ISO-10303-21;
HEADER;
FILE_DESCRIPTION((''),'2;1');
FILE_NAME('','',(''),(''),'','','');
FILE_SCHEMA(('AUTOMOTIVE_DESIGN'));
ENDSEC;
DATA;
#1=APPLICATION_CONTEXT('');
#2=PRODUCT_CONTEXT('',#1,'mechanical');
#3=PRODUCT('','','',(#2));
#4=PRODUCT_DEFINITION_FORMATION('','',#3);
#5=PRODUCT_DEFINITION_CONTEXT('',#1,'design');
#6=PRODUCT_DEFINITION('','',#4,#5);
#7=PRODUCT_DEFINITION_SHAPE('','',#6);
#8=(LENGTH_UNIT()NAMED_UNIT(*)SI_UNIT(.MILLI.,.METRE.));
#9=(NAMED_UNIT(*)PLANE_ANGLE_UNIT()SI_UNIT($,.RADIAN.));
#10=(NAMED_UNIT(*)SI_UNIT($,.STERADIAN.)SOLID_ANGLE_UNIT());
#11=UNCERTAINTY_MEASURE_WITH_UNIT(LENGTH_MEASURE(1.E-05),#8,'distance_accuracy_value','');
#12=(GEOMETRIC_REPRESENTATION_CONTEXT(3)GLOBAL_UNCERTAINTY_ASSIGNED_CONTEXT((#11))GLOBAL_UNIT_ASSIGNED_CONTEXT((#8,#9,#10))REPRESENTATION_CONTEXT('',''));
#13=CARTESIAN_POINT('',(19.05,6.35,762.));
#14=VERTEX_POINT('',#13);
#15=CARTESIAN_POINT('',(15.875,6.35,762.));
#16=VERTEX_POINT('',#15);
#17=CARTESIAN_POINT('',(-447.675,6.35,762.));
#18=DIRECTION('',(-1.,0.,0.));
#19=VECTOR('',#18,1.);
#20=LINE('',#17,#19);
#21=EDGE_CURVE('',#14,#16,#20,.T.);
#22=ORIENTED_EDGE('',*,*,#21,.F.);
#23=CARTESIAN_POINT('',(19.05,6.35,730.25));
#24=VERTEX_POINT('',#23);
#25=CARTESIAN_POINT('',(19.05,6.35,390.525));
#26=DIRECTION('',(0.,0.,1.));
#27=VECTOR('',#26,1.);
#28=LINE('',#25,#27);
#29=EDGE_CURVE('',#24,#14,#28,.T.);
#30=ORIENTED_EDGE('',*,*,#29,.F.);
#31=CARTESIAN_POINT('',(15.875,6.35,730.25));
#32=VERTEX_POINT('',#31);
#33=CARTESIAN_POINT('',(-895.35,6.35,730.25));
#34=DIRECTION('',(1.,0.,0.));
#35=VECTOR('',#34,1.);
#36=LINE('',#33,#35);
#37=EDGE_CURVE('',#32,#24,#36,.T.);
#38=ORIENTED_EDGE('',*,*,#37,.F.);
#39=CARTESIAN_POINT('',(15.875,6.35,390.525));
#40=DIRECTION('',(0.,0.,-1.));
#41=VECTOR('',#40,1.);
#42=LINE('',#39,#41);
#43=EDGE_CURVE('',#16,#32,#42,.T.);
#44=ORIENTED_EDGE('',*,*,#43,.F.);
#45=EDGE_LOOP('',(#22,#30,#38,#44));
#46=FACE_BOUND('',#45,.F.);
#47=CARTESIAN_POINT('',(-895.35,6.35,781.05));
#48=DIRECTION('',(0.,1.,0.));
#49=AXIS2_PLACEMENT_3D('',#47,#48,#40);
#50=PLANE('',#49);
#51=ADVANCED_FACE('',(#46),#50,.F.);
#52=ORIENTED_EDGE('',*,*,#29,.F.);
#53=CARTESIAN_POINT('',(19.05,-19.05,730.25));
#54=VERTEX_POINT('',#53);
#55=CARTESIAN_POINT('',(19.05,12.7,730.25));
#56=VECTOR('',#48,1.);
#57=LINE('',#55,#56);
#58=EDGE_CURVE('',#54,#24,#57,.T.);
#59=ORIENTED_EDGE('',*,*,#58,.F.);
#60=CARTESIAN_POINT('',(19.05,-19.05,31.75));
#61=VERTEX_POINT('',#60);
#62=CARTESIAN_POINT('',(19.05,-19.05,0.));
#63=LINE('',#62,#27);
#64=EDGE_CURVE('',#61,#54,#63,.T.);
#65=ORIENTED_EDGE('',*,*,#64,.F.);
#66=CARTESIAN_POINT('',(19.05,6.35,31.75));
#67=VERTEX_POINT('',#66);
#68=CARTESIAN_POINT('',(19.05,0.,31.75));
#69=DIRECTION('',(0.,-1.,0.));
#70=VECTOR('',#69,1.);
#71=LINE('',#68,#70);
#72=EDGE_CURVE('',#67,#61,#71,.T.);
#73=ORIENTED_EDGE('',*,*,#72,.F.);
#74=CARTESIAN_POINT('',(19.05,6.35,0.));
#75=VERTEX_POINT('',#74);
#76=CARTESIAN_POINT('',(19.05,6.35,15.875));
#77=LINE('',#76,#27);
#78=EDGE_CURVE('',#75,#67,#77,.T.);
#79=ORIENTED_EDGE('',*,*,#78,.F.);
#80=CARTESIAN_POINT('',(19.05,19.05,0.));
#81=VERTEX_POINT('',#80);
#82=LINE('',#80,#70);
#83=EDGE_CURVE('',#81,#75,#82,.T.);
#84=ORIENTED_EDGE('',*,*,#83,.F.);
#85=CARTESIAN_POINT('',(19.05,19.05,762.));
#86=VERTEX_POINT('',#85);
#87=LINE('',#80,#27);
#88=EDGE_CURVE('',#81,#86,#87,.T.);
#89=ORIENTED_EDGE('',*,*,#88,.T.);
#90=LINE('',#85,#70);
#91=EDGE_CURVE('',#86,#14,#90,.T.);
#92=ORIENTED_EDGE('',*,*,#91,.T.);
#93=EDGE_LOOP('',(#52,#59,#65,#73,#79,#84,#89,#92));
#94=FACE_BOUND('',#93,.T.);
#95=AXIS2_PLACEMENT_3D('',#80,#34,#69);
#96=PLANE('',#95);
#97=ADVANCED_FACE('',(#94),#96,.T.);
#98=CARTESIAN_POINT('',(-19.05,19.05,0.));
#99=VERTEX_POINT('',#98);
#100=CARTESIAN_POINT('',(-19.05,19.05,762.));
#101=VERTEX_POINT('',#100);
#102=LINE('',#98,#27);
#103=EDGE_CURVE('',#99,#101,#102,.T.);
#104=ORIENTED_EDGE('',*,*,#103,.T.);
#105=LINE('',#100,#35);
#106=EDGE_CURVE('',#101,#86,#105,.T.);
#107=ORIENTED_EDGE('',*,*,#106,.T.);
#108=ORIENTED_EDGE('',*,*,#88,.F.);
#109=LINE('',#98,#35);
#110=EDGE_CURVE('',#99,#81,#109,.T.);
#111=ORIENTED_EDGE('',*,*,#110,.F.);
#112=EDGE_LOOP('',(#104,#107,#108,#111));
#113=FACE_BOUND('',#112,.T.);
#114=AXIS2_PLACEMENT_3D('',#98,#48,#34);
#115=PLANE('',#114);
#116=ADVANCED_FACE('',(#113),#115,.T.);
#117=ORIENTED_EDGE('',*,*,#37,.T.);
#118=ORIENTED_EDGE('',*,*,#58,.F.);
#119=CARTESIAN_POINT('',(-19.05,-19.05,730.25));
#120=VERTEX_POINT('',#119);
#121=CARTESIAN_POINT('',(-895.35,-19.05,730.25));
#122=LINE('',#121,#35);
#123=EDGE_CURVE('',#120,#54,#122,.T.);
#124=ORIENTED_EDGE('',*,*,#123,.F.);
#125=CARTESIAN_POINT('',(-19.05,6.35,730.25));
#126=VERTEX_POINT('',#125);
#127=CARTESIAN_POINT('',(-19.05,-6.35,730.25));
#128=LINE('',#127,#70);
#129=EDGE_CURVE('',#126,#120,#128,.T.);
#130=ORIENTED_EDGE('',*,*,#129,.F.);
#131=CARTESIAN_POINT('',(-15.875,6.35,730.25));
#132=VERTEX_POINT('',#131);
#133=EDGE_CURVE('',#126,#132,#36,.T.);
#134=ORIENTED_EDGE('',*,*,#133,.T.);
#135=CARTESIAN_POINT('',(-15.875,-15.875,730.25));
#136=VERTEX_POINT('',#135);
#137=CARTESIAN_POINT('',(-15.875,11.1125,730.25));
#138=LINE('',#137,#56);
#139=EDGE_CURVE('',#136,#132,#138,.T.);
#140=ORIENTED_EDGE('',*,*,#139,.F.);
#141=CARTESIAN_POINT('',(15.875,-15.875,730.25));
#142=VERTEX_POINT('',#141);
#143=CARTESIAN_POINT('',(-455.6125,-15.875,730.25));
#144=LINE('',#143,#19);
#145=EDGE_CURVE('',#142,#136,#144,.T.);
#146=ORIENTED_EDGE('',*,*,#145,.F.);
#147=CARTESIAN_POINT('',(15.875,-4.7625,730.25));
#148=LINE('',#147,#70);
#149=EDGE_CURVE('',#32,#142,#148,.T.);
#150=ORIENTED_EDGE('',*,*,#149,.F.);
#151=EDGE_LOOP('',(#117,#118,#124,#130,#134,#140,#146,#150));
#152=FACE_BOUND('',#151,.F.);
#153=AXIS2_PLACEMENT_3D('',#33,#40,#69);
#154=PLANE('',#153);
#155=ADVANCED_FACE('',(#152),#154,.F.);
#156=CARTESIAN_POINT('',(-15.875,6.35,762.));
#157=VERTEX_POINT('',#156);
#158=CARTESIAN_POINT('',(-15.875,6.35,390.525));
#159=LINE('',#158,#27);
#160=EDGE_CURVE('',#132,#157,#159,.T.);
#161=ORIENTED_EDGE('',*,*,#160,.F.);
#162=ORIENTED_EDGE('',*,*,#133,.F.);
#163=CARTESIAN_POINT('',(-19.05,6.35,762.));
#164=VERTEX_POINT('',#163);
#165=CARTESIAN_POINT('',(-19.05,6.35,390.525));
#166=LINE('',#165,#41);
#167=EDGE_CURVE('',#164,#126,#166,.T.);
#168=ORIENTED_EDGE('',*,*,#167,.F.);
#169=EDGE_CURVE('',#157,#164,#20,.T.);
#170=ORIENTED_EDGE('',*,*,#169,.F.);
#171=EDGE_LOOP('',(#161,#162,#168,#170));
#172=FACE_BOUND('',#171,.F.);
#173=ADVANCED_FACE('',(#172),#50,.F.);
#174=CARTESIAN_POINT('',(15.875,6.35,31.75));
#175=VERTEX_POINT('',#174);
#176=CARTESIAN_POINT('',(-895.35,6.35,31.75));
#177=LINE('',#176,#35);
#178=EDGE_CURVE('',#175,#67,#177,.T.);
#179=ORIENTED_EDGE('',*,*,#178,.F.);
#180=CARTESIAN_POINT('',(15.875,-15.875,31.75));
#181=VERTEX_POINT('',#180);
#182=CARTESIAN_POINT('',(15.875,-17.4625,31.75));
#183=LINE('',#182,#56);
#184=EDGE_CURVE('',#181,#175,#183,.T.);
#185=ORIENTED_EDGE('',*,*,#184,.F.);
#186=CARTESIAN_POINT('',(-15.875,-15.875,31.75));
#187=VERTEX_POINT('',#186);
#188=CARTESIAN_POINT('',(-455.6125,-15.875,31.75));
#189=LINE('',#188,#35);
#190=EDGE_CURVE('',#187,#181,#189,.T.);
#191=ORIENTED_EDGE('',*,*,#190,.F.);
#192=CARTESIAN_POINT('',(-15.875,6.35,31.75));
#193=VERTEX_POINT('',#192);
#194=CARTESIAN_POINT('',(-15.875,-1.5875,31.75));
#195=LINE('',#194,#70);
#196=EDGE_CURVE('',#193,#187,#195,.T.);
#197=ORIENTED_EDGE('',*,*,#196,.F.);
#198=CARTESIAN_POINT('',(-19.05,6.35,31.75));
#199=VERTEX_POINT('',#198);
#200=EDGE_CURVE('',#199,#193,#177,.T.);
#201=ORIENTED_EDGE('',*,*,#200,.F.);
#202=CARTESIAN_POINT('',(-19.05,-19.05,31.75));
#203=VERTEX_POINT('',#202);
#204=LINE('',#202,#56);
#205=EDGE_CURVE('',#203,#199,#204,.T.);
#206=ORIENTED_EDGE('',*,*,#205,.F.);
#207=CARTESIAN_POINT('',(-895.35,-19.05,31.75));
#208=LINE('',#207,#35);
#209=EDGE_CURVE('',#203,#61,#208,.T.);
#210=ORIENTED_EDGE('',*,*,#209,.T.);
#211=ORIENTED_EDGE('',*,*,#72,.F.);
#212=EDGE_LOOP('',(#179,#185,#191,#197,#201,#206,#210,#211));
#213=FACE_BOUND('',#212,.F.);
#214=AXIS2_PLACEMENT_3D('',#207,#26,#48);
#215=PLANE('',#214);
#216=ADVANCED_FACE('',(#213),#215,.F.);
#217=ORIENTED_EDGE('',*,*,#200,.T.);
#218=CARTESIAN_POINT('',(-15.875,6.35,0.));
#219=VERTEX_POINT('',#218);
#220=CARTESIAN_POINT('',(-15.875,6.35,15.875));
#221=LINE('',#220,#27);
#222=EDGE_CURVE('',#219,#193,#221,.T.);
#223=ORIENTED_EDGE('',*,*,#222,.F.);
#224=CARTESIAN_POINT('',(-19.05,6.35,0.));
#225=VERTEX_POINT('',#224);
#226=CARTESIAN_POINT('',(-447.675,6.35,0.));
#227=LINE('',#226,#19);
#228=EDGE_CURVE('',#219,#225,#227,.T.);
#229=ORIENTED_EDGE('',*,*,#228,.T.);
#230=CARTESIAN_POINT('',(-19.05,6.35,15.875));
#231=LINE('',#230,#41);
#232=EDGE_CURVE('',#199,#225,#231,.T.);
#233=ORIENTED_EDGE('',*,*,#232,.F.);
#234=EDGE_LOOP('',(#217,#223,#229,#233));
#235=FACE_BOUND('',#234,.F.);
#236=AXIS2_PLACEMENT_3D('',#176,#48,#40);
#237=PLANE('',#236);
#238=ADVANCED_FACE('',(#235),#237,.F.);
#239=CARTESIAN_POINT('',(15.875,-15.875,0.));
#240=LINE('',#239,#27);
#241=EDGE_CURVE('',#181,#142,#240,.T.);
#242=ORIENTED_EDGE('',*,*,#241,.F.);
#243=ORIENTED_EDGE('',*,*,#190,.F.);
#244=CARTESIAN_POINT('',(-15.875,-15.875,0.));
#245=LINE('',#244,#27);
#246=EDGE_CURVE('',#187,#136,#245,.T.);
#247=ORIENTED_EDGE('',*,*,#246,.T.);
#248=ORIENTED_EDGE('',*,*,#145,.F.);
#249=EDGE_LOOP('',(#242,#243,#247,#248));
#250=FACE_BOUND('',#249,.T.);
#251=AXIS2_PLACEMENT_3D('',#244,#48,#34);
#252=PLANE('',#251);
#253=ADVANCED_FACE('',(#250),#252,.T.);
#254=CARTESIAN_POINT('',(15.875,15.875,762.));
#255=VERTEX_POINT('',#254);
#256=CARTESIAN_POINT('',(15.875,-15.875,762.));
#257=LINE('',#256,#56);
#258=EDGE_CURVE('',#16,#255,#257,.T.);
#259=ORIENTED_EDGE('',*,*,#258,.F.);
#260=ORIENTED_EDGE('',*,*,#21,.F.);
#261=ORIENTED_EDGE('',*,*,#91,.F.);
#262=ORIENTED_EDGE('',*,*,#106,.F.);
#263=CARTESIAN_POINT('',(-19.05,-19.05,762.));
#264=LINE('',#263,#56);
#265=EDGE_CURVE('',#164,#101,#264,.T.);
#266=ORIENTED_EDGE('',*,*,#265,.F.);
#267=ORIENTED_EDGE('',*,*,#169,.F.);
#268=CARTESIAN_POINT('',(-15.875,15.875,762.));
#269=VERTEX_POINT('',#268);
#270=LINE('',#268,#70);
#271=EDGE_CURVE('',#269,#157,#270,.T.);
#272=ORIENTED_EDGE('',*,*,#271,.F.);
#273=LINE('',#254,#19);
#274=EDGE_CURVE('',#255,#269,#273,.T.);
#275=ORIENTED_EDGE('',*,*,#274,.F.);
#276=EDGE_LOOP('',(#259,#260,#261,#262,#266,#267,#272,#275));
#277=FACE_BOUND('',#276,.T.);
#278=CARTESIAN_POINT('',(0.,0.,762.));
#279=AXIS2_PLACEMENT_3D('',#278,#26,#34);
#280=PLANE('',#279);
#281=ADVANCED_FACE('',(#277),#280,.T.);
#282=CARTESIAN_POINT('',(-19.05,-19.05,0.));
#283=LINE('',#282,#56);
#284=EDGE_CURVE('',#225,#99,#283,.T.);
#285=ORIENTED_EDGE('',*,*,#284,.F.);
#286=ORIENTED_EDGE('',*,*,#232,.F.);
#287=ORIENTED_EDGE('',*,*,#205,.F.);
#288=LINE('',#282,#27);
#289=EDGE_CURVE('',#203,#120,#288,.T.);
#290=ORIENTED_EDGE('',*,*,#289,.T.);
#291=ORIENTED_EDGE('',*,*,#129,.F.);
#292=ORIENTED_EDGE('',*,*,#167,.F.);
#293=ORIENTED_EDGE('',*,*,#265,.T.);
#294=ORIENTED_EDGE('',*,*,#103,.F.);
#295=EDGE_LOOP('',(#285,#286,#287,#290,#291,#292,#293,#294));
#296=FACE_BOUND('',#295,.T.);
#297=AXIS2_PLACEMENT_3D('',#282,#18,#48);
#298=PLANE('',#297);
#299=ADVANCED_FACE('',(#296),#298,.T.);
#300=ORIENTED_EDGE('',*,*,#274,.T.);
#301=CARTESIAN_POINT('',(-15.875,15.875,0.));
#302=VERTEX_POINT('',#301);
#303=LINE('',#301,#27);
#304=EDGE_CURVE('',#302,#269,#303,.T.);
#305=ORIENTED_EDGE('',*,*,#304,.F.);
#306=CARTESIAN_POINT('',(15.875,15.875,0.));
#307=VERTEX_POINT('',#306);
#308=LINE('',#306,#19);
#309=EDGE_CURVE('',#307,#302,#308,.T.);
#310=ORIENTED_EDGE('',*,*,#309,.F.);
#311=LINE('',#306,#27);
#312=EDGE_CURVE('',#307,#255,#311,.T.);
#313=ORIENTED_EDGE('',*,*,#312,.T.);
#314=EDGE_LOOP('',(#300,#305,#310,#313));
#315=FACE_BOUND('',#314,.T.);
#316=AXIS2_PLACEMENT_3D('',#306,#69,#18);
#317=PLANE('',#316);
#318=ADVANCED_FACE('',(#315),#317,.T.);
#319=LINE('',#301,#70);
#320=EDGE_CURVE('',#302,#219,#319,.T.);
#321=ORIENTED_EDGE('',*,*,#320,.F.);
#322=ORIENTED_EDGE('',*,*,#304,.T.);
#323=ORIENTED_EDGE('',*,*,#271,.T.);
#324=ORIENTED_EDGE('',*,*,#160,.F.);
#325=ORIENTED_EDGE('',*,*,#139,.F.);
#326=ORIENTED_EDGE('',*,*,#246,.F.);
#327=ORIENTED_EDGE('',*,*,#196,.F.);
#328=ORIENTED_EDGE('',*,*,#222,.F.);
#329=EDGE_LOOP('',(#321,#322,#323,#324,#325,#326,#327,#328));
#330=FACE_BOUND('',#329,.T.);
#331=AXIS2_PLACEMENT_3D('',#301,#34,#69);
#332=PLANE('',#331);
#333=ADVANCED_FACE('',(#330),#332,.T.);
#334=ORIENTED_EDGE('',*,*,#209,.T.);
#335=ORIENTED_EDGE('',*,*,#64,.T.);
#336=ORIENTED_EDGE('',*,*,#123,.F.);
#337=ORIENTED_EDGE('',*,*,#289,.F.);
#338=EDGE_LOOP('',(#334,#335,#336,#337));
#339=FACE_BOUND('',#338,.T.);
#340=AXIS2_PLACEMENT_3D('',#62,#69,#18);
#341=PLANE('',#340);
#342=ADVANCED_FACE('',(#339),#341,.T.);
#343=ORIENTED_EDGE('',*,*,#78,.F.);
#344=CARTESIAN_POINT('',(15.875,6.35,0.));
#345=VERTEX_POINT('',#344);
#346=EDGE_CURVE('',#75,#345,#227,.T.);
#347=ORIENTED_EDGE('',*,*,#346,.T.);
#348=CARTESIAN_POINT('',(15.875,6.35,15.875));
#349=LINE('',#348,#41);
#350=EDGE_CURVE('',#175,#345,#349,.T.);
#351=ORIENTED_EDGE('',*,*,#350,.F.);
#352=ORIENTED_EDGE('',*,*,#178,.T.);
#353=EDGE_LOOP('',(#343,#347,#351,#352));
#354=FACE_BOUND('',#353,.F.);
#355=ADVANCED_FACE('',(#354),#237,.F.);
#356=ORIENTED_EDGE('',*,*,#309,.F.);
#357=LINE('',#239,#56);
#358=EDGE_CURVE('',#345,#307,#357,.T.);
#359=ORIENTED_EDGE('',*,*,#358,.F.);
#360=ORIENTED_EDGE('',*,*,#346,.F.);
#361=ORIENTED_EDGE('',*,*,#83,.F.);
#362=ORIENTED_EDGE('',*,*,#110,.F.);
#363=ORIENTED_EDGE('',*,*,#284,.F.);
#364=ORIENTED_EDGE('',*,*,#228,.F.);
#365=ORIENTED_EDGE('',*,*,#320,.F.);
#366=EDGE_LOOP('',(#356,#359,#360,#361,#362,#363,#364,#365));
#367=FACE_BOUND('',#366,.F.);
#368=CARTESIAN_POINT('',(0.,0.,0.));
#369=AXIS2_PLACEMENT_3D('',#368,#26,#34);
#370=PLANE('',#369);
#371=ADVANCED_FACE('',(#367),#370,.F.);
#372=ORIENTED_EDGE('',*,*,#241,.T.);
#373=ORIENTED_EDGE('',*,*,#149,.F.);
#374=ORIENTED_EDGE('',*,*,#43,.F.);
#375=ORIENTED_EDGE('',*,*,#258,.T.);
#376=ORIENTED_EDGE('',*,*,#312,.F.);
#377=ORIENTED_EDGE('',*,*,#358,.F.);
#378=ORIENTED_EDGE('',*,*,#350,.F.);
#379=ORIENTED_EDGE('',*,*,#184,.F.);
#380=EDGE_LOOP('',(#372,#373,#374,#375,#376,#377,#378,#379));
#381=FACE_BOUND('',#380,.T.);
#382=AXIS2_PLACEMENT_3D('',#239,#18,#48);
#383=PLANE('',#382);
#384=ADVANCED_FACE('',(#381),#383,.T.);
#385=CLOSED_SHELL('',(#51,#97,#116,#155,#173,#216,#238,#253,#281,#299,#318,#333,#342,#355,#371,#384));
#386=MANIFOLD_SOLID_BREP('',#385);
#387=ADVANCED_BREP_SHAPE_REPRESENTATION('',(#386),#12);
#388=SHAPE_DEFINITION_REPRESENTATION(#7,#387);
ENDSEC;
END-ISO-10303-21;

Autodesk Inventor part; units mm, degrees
ref_plane "Start Plane" through (0, 0, 0) normal (0, 0, 1) x (1, 0, 0)
ref_plane "End Plane" through (0, 0, 762) normal (0, 0, 1) x (1, 0, 0)
sketch "Sketch" plane through (0, 0, 0) normal (0, 0, 1) x (1, 0, 0)
  line L0 (-19.05, 19.05) -> (19.05, 19.05)
  line L1 (19.05, 19.05) -> (19.05, -19.05)
  line L2 (19.05, -19.05) -> (-19.05, -19.05)
  line L3 (-19.05, -19.05) -> (-19.05, 19.05)
  line L4 (15.875, 15.875) -> (-15.875, 15.875)
  line L5 (-15.875, 15.875) -> (-15.875, -15.875)
  line L6 (-15.875, -15.875) -> (15.875, -15.875)
  line L7 (15.875, -15.875) -> (15.875, 15.875)
  point P0 (0, 0)
  point P1 (0, 19.05)
  point P2 (-19.05, 0)
  dimension "width" = 38.1
  dimension "d1" = 3.175
extrude "Body" add sketch "Sketch" along normal up to surface (762 mm away) from surface at 0
sketch "Sketch4" plane through (0, 0, 0) normal (0, 0, 1) x (1, 0, 0)
  line L0 (0, 0) -> (10, 0)
ref_plane "Work Plane4" through (0, 0, 0) normal (0, -1, 0) x (1, 0, 0)
sketch "Sketch5" plane through (0, 0, 0) normal (0, -1, 0) x (1, 0, 0)
  line L0 (-2, 0) -> (12, 0)
  line L1 (-2, 762) -> (12, 762)
  dimension "d9" = 762
ref_plane "Work Plane5" through (-895.35, -25.4, 762) normal (-1, 0, 0) x (0, 0, 1)
ref_plane "Work Plane6" through (234.95, -25.4, 0) normal (1, 0, 0) x (0, 0, -1)
ref_plane "Work Plane7" through (-330.2, -6.35, 6.35) normal (1, 0, 0) x (0, 0, -1)
sketch "Sketch6" plane through (-330.2, -6.35, 6.35) normal (1, 0, 0) x (0, 0, -1)
  line L0 (-25.4, 12.7) -> (25.4, 12.7)
  line L1 (25.4, 12.7) -> (25.4, -12.7)
  line L2 (25.4, -12.7) -> (-25.4, -12.7)
  line L3 (-25.4, -12.7) -> (-25.4, 12.7)
  line L4 (22.225, 9.525) -> (-22.225, 9.525)
  line L5 (-22.225, 9.525) -> (-22.225, -9.525)
  line L6 (-22.225, -9.525) -> (22.225, -9.525)
  line L7 (22.225, -9.525) -> (22.225, 9.525)
extrude "Extrusion3" cut sketch "Sketch6" along normal up to surface (1130.3 mm away) from surface at -565.15 contours L0 L1 L2 L3 | L7 L6 L5 L4
ref_plane "Work Plane8" through (-895.35, -25.4, 762) normal (-1, 0, 0) x (0, 0, 1)
ref_plane "Work Plane9" through (234.95, -25.4, 0) normal (1, 0, 0) x (0, 0, -1)
ref_plane "Work Plane10" through (-330.2, -6.35, 755.65) normal (1, 0, 0) x (0, 0, -1)
sketch "Sketch7" plane through (-330.2, -6.35, 755.65) normal (1, 0, 0) x (0, 0, -1)
  line L0 (-25.4, 12.7) -> (25.4, 12.7)
  line L1 (25.4, 12.7) -> (25.4, -12.7)
  line L2 (25.4, -12.7) -> (-25.4, -12.7)
  line L3 (-25.4, -12.7) -> (-25.4, 12.7)
  line L4 (22.225, 9.525) -> (-22.225, 9.525)
  line L5 (-22.225, 9.525) -> (-22.225, -9.525)
  line L6 (-22.225, -9.525) -> (22.225, -9.525)
  line L7 (22.225, -9.525) -> (22.225, 9.525)
extrude "Extrusion4" cut sketch "Sketch7" along normal up to surface (1130.3 mm away) from surface at -565.15 contours L0 L1 L2 L3 | L7 L6 L5 L4
equation "\"G_OFFSET_START\" = 0"
equation "\"G_OFFSET_END\" = 0"
equation "\"d5\" = length + G_OFFSET_END"
equation "\"G_L\" = 762"
equation "\"length\" = 762"
properties part number "1.5x1.5x.125 Tube" material "Aluminum-6061"
